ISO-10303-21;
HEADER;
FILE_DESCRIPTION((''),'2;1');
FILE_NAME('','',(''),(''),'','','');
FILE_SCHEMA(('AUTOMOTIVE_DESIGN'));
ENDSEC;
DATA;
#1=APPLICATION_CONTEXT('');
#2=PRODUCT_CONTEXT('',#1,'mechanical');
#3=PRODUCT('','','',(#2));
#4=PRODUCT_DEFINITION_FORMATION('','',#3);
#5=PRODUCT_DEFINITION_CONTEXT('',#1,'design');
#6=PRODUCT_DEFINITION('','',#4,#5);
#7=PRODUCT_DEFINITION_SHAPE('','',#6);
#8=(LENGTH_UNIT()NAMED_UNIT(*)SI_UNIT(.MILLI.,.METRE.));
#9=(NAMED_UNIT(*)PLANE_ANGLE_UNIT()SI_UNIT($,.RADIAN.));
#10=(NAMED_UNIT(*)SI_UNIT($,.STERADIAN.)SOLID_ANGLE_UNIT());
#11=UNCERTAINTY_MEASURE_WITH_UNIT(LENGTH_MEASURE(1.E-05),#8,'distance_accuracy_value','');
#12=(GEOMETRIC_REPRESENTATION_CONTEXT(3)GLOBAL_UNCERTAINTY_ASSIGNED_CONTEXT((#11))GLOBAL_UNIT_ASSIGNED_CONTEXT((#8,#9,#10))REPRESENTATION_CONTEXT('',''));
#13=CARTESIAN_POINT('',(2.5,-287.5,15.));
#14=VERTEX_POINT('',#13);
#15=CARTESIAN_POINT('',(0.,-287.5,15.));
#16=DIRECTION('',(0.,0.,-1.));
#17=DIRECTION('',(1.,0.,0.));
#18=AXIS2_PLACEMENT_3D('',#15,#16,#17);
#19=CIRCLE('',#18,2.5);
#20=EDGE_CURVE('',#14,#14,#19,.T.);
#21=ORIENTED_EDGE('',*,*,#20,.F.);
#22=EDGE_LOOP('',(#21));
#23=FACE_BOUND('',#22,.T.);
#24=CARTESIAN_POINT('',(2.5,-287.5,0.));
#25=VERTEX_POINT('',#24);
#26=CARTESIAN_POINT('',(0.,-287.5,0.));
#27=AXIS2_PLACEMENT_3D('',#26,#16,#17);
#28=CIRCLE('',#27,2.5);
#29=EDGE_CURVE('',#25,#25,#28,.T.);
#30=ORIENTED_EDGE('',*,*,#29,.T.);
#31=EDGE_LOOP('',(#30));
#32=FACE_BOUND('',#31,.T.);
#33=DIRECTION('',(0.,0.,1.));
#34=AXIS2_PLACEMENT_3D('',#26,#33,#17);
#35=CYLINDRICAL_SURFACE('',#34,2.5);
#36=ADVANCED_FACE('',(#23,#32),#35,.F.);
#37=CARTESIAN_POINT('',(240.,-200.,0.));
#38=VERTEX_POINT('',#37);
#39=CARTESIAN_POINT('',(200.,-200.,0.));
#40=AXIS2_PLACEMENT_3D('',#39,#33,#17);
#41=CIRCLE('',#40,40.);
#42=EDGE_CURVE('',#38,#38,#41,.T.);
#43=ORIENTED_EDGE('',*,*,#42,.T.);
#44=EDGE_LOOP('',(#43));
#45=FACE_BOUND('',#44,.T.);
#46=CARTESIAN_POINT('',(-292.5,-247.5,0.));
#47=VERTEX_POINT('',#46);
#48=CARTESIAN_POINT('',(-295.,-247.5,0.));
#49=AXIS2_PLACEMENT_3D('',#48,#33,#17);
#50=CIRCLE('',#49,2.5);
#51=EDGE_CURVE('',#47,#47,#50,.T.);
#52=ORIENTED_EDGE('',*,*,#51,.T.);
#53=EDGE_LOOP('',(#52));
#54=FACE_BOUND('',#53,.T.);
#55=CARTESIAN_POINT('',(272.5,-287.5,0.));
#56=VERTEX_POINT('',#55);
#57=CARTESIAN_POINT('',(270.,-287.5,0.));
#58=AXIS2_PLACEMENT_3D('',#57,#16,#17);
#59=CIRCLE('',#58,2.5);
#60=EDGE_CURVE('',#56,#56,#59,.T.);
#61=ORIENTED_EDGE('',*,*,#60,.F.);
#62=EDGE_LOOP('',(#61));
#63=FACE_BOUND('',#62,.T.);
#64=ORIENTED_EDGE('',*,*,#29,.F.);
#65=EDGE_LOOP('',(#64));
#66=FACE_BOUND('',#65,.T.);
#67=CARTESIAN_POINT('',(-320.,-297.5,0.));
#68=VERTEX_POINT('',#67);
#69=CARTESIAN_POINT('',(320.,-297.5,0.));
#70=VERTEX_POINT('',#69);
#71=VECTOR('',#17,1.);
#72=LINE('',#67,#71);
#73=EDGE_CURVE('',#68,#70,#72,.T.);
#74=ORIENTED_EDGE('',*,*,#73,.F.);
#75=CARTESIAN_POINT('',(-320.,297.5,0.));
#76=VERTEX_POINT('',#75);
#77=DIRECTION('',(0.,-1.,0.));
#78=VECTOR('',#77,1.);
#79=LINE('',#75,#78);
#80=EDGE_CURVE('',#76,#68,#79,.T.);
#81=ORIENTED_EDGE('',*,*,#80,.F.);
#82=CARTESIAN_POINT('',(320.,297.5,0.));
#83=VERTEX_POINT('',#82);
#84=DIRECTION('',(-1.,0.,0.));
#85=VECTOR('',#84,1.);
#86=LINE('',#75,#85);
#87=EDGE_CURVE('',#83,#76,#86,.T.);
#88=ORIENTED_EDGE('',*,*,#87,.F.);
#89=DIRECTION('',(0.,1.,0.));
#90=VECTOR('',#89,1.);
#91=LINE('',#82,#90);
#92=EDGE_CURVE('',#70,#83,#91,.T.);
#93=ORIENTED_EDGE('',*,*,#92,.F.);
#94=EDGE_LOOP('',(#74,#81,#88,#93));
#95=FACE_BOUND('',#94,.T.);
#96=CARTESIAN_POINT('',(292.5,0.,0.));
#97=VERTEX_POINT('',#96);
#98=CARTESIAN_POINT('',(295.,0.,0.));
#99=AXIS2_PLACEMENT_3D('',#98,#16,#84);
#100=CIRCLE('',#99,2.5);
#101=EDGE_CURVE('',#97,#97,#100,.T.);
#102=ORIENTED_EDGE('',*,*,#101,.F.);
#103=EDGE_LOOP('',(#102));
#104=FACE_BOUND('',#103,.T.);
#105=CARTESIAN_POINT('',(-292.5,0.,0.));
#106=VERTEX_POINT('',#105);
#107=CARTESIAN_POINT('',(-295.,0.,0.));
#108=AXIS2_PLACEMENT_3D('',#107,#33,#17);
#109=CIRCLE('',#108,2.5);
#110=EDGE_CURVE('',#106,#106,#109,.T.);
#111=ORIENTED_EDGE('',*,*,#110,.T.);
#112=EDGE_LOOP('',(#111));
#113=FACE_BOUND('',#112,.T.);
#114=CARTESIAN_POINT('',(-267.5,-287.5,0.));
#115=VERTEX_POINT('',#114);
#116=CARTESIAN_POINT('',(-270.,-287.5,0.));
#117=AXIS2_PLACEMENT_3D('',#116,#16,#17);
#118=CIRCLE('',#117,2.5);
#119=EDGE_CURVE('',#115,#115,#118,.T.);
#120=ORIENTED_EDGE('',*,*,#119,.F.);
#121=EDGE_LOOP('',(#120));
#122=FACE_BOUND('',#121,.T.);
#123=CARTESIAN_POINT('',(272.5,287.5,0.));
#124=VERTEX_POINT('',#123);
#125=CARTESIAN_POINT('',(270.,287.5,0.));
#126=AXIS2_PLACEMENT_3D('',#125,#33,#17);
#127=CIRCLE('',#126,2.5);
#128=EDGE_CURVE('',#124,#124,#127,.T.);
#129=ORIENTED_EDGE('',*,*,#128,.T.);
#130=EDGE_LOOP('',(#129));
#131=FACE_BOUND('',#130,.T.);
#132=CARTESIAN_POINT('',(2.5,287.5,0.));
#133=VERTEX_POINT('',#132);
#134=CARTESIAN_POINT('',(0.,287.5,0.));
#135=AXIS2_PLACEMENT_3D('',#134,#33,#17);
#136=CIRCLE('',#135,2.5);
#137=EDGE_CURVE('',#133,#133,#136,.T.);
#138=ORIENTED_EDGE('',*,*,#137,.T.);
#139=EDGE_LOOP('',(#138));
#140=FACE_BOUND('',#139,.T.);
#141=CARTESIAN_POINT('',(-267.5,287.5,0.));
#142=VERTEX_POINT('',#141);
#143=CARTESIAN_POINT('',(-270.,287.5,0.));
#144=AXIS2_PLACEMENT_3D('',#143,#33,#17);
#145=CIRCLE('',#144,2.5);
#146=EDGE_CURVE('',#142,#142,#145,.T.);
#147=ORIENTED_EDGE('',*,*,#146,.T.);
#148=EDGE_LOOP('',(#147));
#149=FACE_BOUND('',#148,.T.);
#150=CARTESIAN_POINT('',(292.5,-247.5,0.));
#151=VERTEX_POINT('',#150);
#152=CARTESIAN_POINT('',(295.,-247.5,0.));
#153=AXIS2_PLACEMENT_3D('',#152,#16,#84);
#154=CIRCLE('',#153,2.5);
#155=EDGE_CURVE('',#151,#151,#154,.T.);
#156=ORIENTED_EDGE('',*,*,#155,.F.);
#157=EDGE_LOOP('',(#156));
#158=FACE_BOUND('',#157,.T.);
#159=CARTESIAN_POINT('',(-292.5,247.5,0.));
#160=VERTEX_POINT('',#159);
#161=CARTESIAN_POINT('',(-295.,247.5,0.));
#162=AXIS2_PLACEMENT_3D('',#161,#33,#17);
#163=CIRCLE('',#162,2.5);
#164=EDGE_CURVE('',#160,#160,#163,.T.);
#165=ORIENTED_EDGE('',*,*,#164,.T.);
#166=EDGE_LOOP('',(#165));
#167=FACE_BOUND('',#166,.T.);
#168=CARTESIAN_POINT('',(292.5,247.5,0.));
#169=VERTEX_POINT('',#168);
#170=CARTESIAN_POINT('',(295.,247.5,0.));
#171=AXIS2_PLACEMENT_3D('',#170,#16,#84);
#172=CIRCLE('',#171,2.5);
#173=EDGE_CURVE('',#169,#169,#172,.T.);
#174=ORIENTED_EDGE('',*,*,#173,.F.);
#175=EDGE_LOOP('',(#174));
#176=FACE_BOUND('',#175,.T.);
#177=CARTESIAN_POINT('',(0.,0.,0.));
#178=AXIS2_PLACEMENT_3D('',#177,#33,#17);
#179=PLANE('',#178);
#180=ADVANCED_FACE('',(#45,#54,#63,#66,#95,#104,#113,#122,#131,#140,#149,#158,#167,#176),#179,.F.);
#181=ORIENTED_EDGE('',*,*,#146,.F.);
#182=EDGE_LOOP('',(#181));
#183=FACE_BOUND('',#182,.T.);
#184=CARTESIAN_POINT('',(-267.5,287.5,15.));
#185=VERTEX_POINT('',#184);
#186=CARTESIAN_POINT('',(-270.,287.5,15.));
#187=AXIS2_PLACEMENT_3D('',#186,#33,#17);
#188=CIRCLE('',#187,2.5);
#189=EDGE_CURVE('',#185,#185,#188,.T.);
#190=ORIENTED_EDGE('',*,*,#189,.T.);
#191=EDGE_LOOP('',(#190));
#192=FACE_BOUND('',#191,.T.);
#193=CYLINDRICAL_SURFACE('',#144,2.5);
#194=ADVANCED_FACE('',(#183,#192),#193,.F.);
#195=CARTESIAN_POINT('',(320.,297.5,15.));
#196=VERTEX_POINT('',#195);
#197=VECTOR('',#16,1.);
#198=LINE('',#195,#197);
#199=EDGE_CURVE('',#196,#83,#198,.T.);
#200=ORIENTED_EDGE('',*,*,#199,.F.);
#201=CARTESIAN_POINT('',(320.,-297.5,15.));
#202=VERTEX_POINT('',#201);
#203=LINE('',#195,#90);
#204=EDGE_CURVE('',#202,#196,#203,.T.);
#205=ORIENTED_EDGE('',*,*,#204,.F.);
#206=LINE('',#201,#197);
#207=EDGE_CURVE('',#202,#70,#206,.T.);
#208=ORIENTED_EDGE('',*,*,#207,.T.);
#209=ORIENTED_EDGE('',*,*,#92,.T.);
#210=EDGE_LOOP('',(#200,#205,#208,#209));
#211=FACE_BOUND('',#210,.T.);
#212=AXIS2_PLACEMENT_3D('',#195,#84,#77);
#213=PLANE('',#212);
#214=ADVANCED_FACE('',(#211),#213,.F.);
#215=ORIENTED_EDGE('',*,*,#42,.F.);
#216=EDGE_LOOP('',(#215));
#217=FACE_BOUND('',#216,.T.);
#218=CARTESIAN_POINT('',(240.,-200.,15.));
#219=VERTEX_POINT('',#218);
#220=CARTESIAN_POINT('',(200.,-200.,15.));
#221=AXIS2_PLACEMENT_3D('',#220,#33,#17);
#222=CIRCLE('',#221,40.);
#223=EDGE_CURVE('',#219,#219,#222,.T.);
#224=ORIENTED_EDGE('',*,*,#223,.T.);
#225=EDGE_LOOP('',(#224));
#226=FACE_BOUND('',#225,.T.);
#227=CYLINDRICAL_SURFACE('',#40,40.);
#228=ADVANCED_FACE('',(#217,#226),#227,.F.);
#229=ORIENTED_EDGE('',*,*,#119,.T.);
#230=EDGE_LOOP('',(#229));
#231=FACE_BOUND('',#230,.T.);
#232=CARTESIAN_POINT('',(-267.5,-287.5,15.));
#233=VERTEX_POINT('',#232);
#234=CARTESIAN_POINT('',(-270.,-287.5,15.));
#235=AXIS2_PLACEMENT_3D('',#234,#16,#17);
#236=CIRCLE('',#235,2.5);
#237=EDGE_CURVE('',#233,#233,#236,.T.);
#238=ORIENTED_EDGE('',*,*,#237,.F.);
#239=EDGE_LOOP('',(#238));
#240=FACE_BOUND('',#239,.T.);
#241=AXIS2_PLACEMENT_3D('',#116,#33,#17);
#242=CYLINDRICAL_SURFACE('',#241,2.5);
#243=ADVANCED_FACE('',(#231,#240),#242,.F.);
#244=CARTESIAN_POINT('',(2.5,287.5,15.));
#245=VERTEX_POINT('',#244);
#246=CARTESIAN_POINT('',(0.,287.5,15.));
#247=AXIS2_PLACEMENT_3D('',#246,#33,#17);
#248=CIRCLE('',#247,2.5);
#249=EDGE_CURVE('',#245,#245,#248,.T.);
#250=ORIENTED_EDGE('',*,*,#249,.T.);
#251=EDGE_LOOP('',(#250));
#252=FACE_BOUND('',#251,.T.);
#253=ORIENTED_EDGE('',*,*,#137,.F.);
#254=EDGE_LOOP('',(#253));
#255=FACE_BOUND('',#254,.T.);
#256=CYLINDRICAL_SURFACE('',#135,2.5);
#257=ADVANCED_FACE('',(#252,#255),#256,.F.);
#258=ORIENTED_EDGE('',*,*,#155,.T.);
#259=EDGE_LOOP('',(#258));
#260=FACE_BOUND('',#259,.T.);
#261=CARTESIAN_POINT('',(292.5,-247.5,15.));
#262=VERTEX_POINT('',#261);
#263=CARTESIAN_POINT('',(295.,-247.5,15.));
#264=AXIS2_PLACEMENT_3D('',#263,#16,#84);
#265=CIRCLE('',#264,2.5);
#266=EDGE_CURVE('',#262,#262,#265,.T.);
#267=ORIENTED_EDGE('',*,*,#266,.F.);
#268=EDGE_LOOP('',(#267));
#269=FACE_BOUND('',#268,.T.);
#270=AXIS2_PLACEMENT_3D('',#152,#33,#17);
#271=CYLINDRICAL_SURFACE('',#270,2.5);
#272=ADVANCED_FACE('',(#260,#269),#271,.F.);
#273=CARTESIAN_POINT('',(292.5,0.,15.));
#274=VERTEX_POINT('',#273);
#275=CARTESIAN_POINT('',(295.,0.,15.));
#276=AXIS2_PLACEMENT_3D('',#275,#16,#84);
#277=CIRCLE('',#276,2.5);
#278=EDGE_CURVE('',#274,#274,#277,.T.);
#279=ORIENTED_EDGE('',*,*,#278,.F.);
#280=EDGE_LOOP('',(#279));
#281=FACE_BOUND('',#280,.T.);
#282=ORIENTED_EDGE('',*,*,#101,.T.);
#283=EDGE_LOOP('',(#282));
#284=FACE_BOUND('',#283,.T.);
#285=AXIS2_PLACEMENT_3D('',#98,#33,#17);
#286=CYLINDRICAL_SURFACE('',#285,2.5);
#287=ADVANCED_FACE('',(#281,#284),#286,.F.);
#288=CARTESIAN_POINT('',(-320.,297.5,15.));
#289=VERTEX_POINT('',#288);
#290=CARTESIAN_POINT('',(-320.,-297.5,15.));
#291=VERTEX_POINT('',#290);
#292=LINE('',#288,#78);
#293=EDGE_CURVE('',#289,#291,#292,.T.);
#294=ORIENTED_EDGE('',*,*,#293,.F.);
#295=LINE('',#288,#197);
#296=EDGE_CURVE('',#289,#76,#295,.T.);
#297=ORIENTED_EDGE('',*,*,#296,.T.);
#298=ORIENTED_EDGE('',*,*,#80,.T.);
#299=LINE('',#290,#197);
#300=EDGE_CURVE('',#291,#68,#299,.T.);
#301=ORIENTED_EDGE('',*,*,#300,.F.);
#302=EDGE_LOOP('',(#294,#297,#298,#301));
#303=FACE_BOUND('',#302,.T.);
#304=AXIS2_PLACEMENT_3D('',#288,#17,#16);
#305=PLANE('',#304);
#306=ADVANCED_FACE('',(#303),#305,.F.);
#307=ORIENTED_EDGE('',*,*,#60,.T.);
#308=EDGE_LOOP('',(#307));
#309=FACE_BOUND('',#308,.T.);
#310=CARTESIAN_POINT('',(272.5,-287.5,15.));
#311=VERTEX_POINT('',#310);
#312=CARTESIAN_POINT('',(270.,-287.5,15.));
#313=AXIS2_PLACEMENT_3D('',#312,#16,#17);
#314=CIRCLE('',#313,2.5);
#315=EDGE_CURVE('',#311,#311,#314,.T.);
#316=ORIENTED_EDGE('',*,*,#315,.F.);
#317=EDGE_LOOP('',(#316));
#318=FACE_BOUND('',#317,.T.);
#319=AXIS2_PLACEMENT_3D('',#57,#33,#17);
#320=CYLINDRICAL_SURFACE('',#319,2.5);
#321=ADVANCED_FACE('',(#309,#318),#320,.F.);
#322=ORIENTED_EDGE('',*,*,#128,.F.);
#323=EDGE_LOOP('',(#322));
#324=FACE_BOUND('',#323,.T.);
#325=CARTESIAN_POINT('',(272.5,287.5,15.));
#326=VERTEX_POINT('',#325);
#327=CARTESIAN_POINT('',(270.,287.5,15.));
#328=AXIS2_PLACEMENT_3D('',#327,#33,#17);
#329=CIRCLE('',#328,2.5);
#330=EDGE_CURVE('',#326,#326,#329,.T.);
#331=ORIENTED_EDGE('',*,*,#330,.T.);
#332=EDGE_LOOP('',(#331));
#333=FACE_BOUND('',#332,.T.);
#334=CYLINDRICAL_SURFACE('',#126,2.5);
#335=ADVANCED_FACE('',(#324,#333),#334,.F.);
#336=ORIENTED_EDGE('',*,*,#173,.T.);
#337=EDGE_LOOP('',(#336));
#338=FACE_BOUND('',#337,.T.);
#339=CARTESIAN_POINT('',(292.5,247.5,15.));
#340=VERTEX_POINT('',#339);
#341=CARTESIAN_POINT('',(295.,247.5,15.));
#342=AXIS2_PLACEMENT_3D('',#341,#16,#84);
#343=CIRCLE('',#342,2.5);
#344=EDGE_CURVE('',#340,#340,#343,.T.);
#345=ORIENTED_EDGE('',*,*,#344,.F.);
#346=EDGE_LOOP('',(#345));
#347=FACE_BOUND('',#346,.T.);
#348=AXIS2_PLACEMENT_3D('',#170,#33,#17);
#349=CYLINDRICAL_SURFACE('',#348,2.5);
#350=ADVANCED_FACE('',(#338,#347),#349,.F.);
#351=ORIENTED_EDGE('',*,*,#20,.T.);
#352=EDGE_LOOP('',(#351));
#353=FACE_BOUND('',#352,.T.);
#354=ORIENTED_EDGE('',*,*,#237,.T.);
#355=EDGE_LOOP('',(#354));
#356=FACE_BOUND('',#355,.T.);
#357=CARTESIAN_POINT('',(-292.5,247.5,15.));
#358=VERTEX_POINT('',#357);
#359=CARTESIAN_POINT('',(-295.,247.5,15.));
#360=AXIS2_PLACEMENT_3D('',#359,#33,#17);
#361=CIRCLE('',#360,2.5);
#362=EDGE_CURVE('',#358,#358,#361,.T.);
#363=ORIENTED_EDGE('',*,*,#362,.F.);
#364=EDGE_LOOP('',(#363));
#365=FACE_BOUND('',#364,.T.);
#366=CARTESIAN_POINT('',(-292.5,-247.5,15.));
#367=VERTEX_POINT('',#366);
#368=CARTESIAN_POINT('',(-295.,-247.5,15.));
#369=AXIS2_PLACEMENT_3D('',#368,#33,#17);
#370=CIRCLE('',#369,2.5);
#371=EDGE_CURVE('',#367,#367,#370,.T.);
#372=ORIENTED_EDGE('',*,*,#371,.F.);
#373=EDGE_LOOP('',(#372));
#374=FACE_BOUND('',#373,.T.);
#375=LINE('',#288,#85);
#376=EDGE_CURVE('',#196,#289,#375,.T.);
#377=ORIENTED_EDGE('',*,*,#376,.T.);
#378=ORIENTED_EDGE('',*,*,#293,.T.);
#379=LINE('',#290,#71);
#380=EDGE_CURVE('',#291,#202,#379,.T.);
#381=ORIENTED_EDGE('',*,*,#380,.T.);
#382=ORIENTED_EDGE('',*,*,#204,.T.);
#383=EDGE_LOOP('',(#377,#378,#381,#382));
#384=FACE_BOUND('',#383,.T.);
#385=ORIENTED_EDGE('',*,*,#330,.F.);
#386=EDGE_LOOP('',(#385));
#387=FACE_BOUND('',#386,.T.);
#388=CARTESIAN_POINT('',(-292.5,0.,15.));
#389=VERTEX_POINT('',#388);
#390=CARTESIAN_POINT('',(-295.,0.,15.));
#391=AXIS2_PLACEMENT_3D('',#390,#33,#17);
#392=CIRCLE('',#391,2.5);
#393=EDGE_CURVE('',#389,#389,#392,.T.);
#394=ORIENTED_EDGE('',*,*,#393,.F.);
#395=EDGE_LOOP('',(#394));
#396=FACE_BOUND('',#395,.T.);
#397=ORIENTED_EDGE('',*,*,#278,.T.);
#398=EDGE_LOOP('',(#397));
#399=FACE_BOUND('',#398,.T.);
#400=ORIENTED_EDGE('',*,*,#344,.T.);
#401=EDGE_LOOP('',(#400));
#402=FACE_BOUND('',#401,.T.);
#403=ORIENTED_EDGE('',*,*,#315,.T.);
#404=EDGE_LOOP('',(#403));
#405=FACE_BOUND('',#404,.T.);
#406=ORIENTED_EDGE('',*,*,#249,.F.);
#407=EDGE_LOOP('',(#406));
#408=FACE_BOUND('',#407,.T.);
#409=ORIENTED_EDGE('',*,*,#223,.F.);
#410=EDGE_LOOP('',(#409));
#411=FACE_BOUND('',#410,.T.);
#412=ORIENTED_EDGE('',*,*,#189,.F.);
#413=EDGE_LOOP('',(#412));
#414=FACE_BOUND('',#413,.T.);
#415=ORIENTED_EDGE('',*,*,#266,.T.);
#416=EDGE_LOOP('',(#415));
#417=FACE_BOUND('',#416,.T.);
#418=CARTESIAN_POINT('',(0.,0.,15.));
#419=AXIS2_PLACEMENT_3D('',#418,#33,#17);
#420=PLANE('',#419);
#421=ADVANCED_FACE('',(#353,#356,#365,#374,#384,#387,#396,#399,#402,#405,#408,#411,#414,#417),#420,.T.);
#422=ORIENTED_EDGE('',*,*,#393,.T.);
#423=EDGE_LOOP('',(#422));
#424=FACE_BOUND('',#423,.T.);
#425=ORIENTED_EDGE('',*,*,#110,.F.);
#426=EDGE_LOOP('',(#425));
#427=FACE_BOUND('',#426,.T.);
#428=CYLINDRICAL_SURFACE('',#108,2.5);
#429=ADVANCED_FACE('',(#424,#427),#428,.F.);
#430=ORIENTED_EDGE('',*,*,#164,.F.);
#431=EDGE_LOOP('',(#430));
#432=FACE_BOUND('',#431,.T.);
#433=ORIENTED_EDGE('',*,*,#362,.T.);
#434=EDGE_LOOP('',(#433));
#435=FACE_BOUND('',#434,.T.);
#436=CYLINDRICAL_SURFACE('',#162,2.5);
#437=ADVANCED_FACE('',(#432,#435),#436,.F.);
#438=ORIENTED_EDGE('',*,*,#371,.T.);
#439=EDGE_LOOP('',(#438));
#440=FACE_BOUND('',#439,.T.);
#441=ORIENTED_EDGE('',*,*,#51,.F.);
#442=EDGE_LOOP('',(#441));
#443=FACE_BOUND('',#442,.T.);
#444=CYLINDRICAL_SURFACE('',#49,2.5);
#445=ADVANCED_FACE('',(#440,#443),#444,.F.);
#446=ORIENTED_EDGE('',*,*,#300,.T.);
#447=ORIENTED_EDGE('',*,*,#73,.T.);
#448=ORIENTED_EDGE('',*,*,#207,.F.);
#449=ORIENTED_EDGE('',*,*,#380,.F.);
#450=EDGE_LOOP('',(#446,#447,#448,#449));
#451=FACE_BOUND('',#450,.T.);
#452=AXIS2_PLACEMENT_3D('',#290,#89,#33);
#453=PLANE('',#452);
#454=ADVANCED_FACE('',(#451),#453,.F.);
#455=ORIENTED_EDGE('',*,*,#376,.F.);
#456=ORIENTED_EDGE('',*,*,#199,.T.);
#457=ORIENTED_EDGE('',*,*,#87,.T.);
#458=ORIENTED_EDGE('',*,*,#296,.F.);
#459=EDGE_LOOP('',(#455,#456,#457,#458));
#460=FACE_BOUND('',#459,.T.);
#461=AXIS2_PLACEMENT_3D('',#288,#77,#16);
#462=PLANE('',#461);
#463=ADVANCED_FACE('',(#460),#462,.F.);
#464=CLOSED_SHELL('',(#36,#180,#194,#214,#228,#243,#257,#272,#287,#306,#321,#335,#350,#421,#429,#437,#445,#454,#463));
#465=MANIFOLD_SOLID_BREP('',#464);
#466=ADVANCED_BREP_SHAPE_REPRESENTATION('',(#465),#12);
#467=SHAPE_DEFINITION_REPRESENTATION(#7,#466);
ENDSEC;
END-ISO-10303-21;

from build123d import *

# Parameters (mm, degrees)
SKETCH_1_W          = 640
SKETCH_1_H          = 595
EXTRUDE_1_DEPTH     = 15
SKETCH_2_R          = 2.5
CUT_EXTRUDE_1_DEPTH = 438.185601318
SKETCH_2_3_R        = 2.5
CUT_EXTRUDE_2_DEPTH = 438.185601318
SKETCH_3_R          = 40
CUT_EXTRUDE_3_DEPTH = 438.185601318


with BuildPart() as part:
    # ｽｹｯﾁ1 → ﾎﾞｽ - 押し出し1 (new body)
    with BuildSketch(Plane.XY):
        Rectangle(SKETCH_1_W, SKETCH_1_H)
    extrude(amount=EXTRUDE_1_DEPTH)

    # ｽｹｯﾁ2 → ｶｯﾄ - 押し出し1 (cut, through all)
    with BuildSketch(Plane.XY.offset(15)):
        with Locations((-270, 287.5)):
            Circle(SKETCH_2_R)
        with Locations((0, 287.5)):
            Circle(SKETCH_2_R)
        with Locations((270, 287.5)):
            Circle(SKETCH_2_R)
    cut_extrude_1 = extrude(amount=-CUT_EXTRUDE_1_DEPTH, mode=Mode.SUBTRACT)

    # ｽｹｯﾁ2<3> → ｶｯﾄ - 押し出し2 (cut, through all)
    with BuildSketch(Plane.XY.offset(15)):
        with Locations((-295, 247.5)):
            Circle(SKETCH_2_3_R)
        with Locations((-295, 0)):
            Circle(SKETCH_2_3_R)
        with Locations((-295, -247.5)):
            Circle(SKETCH_2_3_R)
    cut_extrude_2 = extrude(amount=-CUT_EXTRUDE_2_DEPTH, mode=Mode.SUBTRACT)

    # ﾐﾗｰ1: ｶｯﾄ - 押し出し1 across plane
    add(cut_extrude_1.mirror(Plane.ZX), mode=Mode.SUBTRACT)

    # ﾐﾗｰ2: ｶｯﾄ - 押し出し2 across plane
    add(cut_extrude_2.mirror(Plane(origin=(0, 0, 0), x_dir=(0, 0, 1), z_dir=(1, 0, 0))), mode=Mode.SUBTRACT)

    # ｽｹｯﾁ3 → ｶｯﾄ - 押し出し3 (cut, through all)
    with BuildSketch(Plane.XY.offset(15)):
        with Locations((200, -200)):
            Circle(SKETCH_3_R)
    extrude(amount=-CUT_EXTRUDE_3_DEPTH, mode=Mode.SUBTRACT)


solid = part.part
